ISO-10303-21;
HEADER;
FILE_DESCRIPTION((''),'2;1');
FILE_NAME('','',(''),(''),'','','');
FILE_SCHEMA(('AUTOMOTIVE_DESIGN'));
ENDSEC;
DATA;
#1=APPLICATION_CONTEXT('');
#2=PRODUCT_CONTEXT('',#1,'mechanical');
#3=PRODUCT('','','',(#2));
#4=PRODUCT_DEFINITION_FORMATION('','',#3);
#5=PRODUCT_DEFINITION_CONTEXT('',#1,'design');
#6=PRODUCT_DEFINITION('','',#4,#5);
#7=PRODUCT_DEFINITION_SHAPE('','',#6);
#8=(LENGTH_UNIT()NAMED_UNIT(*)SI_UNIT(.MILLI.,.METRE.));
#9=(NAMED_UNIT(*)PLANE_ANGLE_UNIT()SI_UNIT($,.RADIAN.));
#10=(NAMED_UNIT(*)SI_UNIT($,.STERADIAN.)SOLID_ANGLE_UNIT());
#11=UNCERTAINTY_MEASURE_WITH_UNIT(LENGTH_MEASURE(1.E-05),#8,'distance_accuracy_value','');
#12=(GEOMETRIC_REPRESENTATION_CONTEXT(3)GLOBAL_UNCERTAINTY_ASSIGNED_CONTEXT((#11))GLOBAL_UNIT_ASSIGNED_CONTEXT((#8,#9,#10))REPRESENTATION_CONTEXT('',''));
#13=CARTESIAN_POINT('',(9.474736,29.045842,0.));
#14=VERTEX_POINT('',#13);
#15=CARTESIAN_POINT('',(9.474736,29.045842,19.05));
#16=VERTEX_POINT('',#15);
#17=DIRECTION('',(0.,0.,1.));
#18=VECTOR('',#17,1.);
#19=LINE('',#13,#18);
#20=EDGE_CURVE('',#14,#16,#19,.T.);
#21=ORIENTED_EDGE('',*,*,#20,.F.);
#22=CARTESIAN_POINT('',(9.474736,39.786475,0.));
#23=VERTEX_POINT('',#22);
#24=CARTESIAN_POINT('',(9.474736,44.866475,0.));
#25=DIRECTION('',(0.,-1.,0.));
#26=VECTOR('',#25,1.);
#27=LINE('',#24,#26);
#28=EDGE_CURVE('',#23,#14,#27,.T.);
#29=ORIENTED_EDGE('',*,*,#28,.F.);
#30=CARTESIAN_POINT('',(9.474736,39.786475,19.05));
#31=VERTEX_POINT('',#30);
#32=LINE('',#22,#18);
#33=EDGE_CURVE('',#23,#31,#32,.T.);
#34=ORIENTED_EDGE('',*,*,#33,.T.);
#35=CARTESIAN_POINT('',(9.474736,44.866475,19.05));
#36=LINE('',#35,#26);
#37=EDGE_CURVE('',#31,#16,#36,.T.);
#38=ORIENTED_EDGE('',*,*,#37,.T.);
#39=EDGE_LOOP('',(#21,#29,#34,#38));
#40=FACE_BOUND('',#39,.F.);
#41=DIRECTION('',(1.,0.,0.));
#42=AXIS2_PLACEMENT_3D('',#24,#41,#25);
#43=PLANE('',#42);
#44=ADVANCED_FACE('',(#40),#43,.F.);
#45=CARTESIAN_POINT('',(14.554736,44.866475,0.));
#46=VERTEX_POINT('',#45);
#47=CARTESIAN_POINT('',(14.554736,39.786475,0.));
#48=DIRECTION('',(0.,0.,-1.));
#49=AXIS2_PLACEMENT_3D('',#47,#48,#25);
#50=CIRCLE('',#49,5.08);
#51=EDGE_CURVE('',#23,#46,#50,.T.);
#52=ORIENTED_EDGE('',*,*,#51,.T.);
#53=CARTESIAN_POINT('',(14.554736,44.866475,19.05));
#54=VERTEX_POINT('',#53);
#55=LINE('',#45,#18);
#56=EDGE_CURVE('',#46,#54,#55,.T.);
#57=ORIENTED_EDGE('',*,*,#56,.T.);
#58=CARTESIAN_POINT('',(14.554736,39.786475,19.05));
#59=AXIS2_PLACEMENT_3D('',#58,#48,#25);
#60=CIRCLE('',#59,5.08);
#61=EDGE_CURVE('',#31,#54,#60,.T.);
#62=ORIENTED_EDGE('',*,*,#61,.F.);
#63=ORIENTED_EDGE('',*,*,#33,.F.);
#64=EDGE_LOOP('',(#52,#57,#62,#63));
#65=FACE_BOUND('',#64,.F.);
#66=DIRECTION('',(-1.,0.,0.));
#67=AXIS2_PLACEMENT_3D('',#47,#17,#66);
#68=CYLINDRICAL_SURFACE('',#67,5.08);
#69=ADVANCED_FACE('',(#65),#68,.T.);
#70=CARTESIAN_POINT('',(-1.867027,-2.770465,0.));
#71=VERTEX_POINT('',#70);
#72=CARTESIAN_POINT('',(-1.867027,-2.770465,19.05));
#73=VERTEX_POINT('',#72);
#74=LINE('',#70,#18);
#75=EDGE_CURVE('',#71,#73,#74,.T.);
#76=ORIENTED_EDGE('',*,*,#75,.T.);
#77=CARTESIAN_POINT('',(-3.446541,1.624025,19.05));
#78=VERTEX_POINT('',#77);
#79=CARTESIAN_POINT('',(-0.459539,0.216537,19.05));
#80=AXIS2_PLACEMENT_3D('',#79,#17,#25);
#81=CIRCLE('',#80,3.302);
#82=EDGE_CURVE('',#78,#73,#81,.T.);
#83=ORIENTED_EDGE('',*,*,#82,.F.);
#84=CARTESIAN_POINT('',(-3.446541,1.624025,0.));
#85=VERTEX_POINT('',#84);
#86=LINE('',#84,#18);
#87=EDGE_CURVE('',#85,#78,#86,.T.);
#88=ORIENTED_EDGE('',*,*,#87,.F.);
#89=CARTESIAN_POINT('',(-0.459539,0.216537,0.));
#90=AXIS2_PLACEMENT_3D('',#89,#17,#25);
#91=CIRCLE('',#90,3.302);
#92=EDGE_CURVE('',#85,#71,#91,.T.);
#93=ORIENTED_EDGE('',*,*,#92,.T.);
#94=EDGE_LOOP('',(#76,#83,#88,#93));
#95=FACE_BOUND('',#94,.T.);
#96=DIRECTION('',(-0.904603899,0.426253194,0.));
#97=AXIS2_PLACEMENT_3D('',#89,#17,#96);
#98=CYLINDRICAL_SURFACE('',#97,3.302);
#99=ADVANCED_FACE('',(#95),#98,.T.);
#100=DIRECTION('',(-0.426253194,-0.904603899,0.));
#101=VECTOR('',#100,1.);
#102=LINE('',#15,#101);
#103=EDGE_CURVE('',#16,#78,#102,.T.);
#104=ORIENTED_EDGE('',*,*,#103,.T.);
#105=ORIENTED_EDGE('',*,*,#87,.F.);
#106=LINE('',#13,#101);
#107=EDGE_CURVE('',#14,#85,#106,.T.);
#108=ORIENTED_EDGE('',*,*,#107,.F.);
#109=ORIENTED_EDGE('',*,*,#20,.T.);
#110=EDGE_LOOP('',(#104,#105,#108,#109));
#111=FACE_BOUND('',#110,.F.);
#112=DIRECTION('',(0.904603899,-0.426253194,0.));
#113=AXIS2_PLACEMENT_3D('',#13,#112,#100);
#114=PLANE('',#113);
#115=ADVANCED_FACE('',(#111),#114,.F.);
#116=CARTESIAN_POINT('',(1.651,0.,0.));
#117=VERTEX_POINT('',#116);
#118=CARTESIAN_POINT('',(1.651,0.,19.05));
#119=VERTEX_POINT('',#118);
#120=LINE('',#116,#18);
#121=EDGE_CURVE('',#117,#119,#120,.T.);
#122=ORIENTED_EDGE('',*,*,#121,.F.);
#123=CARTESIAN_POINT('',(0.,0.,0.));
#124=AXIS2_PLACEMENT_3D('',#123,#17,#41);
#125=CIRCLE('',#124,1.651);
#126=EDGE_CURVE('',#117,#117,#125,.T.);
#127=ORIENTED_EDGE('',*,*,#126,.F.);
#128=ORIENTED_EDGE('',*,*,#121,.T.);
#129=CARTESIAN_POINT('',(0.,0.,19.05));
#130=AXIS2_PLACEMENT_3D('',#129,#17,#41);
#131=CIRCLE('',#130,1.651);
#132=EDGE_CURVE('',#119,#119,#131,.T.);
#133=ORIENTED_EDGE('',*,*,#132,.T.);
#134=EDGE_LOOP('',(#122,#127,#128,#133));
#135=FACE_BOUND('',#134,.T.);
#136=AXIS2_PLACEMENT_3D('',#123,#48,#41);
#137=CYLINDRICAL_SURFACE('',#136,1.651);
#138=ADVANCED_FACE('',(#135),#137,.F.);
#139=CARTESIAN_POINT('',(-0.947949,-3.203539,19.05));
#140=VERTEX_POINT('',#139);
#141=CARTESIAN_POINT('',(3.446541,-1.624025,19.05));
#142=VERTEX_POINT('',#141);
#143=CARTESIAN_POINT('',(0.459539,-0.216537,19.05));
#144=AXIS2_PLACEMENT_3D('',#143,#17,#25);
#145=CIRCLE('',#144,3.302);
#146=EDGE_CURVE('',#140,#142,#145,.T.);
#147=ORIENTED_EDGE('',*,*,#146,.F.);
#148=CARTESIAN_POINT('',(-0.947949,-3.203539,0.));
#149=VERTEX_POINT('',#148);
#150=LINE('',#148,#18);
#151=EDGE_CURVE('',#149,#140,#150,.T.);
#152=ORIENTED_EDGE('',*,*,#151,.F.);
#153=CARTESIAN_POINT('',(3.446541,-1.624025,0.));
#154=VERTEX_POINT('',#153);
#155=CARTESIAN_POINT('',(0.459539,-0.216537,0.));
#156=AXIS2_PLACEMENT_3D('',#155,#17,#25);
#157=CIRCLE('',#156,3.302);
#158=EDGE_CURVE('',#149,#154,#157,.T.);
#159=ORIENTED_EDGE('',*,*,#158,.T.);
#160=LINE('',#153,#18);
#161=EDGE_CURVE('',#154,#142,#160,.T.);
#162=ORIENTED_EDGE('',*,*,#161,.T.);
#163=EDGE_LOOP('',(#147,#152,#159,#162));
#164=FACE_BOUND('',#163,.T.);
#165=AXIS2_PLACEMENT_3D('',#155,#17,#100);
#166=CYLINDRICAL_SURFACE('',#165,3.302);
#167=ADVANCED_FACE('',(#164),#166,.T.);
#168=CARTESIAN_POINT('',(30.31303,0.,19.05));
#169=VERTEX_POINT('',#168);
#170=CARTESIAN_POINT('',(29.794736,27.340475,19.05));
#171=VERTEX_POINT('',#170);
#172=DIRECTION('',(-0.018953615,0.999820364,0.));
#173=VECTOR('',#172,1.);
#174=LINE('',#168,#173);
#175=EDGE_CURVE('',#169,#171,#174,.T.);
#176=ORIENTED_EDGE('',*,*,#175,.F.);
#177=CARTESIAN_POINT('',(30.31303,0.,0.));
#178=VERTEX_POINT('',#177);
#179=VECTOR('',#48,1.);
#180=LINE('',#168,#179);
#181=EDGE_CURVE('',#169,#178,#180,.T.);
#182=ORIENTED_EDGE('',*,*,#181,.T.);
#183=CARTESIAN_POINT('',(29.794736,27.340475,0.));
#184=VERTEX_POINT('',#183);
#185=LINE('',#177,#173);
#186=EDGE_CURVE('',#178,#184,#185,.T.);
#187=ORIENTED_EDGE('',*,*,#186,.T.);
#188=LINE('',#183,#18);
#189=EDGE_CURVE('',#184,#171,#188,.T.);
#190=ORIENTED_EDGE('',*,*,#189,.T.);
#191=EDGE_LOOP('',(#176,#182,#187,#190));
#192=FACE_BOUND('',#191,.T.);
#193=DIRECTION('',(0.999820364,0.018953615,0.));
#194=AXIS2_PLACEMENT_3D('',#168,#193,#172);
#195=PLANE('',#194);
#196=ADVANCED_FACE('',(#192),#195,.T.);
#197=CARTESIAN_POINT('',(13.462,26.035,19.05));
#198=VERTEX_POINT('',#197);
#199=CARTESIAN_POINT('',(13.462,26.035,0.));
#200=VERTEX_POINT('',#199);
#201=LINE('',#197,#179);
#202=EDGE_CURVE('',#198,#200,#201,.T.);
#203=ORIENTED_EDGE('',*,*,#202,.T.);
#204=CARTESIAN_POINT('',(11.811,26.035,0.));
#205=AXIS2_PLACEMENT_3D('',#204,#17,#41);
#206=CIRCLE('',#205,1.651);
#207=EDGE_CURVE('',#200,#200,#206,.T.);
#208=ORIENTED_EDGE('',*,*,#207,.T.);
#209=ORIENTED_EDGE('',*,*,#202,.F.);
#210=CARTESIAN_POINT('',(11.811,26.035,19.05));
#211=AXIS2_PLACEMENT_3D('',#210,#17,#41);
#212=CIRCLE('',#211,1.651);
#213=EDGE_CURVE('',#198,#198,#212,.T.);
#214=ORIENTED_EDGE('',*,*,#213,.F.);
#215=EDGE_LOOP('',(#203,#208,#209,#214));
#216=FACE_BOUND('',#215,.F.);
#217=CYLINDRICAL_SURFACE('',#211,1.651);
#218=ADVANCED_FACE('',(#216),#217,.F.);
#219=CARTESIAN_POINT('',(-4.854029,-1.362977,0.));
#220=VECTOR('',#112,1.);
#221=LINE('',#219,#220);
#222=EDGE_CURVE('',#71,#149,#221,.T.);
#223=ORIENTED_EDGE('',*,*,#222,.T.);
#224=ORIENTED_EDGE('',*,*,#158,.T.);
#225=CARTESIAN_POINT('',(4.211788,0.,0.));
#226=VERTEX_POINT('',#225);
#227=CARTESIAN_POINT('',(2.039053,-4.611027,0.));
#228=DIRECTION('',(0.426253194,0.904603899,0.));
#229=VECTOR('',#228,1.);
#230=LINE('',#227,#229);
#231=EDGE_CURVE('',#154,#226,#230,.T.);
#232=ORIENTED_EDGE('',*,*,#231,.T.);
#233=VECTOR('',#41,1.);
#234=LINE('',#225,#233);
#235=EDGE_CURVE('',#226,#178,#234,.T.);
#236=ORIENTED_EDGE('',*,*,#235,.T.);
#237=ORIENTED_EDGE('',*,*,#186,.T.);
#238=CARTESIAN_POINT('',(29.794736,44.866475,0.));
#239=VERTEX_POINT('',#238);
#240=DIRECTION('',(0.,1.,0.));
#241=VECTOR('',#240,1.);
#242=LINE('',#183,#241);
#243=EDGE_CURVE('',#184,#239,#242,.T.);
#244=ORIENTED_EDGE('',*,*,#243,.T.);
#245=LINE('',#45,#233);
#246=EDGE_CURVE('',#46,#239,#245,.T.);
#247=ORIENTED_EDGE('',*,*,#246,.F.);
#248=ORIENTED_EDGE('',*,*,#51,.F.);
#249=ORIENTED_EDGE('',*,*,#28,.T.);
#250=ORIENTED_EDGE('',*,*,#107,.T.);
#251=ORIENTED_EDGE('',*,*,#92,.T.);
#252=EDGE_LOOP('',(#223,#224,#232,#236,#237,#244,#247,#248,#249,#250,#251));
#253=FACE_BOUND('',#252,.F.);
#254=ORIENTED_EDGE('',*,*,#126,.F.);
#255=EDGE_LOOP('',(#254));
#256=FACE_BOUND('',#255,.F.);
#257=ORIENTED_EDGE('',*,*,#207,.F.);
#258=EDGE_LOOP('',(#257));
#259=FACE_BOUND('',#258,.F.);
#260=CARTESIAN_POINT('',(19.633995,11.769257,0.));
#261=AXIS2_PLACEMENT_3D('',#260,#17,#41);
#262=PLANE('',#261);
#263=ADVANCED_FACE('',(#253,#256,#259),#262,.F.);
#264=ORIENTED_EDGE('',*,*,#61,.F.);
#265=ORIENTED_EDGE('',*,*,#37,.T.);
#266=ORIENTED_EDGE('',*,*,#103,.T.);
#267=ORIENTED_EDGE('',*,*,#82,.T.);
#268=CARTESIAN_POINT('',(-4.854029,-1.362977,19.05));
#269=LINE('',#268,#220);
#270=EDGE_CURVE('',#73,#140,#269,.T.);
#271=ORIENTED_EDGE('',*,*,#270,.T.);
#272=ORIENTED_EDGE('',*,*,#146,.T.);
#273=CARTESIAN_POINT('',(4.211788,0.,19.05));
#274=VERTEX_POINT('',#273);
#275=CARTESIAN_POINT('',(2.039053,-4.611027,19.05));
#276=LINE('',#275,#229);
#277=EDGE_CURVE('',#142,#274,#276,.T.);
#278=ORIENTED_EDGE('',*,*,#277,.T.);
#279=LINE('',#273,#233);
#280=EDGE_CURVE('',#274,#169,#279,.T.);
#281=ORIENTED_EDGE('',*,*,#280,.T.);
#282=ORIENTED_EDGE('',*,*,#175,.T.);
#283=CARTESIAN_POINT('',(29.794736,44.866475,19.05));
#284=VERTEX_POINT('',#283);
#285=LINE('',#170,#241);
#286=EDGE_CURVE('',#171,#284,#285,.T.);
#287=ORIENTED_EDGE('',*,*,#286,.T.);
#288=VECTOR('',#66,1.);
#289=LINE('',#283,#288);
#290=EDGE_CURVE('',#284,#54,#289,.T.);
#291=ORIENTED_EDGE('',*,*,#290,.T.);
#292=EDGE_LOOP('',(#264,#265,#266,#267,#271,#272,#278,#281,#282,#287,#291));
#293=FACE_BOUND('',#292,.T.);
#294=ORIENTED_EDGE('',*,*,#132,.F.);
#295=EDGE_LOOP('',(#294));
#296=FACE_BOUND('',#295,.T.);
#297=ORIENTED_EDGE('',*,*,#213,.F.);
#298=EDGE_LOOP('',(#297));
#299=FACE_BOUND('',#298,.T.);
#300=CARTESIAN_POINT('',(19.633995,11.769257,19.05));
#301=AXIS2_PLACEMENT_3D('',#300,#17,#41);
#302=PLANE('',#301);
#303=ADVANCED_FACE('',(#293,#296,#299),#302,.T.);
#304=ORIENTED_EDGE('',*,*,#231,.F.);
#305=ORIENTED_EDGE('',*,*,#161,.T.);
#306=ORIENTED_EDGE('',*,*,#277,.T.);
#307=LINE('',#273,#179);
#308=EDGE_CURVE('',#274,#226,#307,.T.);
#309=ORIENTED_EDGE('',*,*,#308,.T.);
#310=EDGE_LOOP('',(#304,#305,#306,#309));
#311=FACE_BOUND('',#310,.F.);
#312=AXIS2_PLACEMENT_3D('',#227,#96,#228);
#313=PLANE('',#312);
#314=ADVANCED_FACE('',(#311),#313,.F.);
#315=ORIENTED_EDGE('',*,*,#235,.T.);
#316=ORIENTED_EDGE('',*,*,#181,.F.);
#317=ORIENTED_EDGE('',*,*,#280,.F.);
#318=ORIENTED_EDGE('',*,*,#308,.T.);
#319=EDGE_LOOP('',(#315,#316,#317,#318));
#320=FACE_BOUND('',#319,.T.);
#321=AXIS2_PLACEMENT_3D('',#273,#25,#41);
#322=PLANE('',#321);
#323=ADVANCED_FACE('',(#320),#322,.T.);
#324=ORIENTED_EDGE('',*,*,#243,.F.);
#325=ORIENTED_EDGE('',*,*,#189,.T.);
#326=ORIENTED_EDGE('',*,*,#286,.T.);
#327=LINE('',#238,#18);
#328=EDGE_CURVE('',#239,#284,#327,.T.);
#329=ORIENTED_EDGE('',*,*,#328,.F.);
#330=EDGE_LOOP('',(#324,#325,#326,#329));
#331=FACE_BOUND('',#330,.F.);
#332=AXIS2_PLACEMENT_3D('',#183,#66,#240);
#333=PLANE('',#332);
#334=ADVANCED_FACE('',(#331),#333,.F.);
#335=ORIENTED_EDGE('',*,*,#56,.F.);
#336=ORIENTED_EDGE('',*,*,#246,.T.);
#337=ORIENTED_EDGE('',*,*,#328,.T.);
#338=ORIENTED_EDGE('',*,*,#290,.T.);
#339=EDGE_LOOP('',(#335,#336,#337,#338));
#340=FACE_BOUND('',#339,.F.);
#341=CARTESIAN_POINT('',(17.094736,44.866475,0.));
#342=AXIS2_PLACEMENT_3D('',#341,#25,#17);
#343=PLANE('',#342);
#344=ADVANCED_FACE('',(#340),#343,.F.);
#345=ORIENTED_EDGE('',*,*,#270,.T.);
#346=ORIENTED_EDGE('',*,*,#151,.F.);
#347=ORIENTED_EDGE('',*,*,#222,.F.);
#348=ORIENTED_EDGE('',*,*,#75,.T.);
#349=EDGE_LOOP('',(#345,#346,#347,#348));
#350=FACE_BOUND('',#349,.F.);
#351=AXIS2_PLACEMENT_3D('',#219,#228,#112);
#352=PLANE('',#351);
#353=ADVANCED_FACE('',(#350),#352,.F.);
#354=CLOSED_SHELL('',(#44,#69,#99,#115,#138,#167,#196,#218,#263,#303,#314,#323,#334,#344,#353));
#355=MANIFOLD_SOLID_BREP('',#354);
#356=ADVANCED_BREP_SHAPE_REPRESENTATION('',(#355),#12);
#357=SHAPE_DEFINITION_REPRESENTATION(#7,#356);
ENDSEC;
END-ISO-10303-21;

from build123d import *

# Parameters (mm, degrees)
F0_R     = 1.651
F1_DEPTH = 19.05
F2_R     = 1.651
F3_DEPTH = 19.05
F5_R     = 5.08
F6_R     = 3.302
F7_DEPTH = 12.7
F9_DEPTH = 19.05


with BuildPart() as f1:
    # F0 (on Top) → F1 (new body)
    with BuildSketch(Plane.XY):
        Polygon((9.4747359406, 29.0458423255), (-4.8540289035, -1.3629774042), (2.0390528077, -4.6110267455), (17.0947359406, 27.3404749561), (17.0947359406, 44.8664749561), (9.4747359406, 44.8664749561), align=None)
        Circle(F0_R, mode=Mode.SUBTRACT)
    extrude(amount=F1_DEPTH)

    # F2 (on face) → F3 (cut, through all)
    with BuildSketch(Plane.XY.offset(19.05)):
        Circle(F2_R)
        with Locations((11.811, 26.035)):
            Circle(F2_R)
    extrude(amount=-F3_DEPTH, mode=Mode.SUBTRACT)

    # F5
    f5_edges = [f1.edges().sort_by_distance(p)[0] for p in [
        (9.474736, 44.866475, 9.525),
    ]]
    fillet(f5_edges, radius=F5_R)

    # F6
    f6_edges = [f1.edges().sort_by_distance(p)[0] for p in [
        (-4.854029, -1.362977, 9.525),
        (2.039053, -4.611027, 9.525),
    ]]
    fillet(f6_edges, radius=F6_R)

    # F7 (add): a face of the model
    f7_faces = [f1.faces().sort_by_distance(p)[0] for p in [
        (17.0947359406, 36.1034749561, 9.525),
    ]]
    extrude(f7_faces, amount=F7_DEPTH)

    # F8 (on face) → F9 (join, through all)
    with BuildSketch(Plane.XY.offset(19.05)):
        Polygon((30.3130298853, 0), (29.7947359406, 27.3404749561), (17.0947359406, 27.3404749561), (4.2117881691, 0), align=None)
    extrude(amount=-F9_DEPTH)


solid = f1.part
